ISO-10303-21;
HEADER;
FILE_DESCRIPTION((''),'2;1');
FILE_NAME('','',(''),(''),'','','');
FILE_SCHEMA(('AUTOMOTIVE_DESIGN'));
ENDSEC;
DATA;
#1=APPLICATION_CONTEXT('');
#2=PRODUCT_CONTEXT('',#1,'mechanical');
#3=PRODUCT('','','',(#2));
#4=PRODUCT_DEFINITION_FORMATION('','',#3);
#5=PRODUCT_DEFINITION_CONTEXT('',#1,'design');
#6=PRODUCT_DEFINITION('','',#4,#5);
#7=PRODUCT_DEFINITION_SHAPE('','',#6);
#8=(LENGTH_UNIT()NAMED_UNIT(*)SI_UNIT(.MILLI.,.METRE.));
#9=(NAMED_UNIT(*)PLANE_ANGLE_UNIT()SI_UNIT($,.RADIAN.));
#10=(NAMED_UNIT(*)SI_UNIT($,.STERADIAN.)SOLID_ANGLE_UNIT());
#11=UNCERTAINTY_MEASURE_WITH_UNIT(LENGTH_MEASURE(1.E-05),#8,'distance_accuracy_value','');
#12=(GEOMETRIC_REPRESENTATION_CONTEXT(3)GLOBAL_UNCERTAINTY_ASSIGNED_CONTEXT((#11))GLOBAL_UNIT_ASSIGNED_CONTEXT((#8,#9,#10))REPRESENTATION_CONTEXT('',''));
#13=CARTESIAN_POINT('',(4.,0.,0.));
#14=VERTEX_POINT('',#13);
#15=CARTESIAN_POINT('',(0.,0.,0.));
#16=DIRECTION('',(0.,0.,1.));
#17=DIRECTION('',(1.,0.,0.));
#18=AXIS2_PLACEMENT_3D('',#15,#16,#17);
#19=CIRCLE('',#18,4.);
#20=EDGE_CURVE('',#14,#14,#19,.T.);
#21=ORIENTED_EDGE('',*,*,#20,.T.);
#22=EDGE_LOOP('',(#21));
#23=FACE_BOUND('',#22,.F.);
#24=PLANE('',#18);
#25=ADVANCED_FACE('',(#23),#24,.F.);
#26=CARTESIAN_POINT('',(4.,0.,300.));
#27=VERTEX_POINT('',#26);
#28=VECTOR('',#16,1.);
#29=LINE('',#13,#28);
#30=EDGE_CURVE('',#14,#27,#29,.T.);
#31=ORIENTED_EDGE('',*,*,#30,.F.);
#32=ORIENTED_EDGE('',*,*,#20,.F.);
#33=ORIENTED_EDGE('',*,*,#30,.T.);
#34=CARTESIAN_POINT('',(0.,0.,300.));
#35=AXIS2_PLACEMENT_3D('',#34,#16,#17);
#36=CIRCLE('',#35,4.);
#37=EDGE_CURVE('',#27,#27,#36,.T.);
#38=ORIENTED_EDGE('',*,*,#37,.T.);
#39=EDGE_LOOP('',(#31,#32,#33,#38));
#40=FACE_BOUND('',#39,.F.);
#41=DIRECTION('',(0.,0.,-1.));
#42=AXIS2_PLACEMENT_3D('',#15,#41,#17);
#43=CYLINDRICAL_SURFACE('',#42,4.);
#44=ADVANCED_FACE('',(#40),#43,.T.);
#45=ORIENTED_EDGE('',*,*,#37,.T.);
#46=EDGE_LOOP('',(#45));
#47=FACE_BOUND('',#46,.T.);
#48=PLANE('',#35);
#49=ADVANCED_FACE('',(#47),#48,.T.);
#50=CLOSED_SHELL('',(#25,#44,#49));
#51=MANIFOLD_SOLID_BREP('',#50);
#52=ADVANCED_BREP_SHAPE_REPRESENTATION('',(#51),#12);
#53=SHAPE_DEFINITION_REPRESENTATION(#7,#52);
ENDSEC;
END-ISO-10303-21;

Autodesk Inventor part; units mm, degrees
ref_plane "YZ Plane" through (0, 0, 0) normal (1, 0, 0) x (0, 1, 0)
ref_plane "XZ Plane" through (0, 0, 0) normal (0, 1, 0) x (-1, 0, 0)
ref_plane "XY Plane" through (0, 0, 0) normal (0, 0, 1) x (1, 0, 0)
sketch "Sketch1" plane through (0, 0, 0) normal (0, 0, 1) x (1, 0, 0)
  circle A0 centre (0, 0) radius 4
  dimension "d0" = 8
extrude "Extrusion1" add sketch "Sketch1" along normal blind 300
properties part number "TORNILLO" material "Steel, Mild, Welded"
